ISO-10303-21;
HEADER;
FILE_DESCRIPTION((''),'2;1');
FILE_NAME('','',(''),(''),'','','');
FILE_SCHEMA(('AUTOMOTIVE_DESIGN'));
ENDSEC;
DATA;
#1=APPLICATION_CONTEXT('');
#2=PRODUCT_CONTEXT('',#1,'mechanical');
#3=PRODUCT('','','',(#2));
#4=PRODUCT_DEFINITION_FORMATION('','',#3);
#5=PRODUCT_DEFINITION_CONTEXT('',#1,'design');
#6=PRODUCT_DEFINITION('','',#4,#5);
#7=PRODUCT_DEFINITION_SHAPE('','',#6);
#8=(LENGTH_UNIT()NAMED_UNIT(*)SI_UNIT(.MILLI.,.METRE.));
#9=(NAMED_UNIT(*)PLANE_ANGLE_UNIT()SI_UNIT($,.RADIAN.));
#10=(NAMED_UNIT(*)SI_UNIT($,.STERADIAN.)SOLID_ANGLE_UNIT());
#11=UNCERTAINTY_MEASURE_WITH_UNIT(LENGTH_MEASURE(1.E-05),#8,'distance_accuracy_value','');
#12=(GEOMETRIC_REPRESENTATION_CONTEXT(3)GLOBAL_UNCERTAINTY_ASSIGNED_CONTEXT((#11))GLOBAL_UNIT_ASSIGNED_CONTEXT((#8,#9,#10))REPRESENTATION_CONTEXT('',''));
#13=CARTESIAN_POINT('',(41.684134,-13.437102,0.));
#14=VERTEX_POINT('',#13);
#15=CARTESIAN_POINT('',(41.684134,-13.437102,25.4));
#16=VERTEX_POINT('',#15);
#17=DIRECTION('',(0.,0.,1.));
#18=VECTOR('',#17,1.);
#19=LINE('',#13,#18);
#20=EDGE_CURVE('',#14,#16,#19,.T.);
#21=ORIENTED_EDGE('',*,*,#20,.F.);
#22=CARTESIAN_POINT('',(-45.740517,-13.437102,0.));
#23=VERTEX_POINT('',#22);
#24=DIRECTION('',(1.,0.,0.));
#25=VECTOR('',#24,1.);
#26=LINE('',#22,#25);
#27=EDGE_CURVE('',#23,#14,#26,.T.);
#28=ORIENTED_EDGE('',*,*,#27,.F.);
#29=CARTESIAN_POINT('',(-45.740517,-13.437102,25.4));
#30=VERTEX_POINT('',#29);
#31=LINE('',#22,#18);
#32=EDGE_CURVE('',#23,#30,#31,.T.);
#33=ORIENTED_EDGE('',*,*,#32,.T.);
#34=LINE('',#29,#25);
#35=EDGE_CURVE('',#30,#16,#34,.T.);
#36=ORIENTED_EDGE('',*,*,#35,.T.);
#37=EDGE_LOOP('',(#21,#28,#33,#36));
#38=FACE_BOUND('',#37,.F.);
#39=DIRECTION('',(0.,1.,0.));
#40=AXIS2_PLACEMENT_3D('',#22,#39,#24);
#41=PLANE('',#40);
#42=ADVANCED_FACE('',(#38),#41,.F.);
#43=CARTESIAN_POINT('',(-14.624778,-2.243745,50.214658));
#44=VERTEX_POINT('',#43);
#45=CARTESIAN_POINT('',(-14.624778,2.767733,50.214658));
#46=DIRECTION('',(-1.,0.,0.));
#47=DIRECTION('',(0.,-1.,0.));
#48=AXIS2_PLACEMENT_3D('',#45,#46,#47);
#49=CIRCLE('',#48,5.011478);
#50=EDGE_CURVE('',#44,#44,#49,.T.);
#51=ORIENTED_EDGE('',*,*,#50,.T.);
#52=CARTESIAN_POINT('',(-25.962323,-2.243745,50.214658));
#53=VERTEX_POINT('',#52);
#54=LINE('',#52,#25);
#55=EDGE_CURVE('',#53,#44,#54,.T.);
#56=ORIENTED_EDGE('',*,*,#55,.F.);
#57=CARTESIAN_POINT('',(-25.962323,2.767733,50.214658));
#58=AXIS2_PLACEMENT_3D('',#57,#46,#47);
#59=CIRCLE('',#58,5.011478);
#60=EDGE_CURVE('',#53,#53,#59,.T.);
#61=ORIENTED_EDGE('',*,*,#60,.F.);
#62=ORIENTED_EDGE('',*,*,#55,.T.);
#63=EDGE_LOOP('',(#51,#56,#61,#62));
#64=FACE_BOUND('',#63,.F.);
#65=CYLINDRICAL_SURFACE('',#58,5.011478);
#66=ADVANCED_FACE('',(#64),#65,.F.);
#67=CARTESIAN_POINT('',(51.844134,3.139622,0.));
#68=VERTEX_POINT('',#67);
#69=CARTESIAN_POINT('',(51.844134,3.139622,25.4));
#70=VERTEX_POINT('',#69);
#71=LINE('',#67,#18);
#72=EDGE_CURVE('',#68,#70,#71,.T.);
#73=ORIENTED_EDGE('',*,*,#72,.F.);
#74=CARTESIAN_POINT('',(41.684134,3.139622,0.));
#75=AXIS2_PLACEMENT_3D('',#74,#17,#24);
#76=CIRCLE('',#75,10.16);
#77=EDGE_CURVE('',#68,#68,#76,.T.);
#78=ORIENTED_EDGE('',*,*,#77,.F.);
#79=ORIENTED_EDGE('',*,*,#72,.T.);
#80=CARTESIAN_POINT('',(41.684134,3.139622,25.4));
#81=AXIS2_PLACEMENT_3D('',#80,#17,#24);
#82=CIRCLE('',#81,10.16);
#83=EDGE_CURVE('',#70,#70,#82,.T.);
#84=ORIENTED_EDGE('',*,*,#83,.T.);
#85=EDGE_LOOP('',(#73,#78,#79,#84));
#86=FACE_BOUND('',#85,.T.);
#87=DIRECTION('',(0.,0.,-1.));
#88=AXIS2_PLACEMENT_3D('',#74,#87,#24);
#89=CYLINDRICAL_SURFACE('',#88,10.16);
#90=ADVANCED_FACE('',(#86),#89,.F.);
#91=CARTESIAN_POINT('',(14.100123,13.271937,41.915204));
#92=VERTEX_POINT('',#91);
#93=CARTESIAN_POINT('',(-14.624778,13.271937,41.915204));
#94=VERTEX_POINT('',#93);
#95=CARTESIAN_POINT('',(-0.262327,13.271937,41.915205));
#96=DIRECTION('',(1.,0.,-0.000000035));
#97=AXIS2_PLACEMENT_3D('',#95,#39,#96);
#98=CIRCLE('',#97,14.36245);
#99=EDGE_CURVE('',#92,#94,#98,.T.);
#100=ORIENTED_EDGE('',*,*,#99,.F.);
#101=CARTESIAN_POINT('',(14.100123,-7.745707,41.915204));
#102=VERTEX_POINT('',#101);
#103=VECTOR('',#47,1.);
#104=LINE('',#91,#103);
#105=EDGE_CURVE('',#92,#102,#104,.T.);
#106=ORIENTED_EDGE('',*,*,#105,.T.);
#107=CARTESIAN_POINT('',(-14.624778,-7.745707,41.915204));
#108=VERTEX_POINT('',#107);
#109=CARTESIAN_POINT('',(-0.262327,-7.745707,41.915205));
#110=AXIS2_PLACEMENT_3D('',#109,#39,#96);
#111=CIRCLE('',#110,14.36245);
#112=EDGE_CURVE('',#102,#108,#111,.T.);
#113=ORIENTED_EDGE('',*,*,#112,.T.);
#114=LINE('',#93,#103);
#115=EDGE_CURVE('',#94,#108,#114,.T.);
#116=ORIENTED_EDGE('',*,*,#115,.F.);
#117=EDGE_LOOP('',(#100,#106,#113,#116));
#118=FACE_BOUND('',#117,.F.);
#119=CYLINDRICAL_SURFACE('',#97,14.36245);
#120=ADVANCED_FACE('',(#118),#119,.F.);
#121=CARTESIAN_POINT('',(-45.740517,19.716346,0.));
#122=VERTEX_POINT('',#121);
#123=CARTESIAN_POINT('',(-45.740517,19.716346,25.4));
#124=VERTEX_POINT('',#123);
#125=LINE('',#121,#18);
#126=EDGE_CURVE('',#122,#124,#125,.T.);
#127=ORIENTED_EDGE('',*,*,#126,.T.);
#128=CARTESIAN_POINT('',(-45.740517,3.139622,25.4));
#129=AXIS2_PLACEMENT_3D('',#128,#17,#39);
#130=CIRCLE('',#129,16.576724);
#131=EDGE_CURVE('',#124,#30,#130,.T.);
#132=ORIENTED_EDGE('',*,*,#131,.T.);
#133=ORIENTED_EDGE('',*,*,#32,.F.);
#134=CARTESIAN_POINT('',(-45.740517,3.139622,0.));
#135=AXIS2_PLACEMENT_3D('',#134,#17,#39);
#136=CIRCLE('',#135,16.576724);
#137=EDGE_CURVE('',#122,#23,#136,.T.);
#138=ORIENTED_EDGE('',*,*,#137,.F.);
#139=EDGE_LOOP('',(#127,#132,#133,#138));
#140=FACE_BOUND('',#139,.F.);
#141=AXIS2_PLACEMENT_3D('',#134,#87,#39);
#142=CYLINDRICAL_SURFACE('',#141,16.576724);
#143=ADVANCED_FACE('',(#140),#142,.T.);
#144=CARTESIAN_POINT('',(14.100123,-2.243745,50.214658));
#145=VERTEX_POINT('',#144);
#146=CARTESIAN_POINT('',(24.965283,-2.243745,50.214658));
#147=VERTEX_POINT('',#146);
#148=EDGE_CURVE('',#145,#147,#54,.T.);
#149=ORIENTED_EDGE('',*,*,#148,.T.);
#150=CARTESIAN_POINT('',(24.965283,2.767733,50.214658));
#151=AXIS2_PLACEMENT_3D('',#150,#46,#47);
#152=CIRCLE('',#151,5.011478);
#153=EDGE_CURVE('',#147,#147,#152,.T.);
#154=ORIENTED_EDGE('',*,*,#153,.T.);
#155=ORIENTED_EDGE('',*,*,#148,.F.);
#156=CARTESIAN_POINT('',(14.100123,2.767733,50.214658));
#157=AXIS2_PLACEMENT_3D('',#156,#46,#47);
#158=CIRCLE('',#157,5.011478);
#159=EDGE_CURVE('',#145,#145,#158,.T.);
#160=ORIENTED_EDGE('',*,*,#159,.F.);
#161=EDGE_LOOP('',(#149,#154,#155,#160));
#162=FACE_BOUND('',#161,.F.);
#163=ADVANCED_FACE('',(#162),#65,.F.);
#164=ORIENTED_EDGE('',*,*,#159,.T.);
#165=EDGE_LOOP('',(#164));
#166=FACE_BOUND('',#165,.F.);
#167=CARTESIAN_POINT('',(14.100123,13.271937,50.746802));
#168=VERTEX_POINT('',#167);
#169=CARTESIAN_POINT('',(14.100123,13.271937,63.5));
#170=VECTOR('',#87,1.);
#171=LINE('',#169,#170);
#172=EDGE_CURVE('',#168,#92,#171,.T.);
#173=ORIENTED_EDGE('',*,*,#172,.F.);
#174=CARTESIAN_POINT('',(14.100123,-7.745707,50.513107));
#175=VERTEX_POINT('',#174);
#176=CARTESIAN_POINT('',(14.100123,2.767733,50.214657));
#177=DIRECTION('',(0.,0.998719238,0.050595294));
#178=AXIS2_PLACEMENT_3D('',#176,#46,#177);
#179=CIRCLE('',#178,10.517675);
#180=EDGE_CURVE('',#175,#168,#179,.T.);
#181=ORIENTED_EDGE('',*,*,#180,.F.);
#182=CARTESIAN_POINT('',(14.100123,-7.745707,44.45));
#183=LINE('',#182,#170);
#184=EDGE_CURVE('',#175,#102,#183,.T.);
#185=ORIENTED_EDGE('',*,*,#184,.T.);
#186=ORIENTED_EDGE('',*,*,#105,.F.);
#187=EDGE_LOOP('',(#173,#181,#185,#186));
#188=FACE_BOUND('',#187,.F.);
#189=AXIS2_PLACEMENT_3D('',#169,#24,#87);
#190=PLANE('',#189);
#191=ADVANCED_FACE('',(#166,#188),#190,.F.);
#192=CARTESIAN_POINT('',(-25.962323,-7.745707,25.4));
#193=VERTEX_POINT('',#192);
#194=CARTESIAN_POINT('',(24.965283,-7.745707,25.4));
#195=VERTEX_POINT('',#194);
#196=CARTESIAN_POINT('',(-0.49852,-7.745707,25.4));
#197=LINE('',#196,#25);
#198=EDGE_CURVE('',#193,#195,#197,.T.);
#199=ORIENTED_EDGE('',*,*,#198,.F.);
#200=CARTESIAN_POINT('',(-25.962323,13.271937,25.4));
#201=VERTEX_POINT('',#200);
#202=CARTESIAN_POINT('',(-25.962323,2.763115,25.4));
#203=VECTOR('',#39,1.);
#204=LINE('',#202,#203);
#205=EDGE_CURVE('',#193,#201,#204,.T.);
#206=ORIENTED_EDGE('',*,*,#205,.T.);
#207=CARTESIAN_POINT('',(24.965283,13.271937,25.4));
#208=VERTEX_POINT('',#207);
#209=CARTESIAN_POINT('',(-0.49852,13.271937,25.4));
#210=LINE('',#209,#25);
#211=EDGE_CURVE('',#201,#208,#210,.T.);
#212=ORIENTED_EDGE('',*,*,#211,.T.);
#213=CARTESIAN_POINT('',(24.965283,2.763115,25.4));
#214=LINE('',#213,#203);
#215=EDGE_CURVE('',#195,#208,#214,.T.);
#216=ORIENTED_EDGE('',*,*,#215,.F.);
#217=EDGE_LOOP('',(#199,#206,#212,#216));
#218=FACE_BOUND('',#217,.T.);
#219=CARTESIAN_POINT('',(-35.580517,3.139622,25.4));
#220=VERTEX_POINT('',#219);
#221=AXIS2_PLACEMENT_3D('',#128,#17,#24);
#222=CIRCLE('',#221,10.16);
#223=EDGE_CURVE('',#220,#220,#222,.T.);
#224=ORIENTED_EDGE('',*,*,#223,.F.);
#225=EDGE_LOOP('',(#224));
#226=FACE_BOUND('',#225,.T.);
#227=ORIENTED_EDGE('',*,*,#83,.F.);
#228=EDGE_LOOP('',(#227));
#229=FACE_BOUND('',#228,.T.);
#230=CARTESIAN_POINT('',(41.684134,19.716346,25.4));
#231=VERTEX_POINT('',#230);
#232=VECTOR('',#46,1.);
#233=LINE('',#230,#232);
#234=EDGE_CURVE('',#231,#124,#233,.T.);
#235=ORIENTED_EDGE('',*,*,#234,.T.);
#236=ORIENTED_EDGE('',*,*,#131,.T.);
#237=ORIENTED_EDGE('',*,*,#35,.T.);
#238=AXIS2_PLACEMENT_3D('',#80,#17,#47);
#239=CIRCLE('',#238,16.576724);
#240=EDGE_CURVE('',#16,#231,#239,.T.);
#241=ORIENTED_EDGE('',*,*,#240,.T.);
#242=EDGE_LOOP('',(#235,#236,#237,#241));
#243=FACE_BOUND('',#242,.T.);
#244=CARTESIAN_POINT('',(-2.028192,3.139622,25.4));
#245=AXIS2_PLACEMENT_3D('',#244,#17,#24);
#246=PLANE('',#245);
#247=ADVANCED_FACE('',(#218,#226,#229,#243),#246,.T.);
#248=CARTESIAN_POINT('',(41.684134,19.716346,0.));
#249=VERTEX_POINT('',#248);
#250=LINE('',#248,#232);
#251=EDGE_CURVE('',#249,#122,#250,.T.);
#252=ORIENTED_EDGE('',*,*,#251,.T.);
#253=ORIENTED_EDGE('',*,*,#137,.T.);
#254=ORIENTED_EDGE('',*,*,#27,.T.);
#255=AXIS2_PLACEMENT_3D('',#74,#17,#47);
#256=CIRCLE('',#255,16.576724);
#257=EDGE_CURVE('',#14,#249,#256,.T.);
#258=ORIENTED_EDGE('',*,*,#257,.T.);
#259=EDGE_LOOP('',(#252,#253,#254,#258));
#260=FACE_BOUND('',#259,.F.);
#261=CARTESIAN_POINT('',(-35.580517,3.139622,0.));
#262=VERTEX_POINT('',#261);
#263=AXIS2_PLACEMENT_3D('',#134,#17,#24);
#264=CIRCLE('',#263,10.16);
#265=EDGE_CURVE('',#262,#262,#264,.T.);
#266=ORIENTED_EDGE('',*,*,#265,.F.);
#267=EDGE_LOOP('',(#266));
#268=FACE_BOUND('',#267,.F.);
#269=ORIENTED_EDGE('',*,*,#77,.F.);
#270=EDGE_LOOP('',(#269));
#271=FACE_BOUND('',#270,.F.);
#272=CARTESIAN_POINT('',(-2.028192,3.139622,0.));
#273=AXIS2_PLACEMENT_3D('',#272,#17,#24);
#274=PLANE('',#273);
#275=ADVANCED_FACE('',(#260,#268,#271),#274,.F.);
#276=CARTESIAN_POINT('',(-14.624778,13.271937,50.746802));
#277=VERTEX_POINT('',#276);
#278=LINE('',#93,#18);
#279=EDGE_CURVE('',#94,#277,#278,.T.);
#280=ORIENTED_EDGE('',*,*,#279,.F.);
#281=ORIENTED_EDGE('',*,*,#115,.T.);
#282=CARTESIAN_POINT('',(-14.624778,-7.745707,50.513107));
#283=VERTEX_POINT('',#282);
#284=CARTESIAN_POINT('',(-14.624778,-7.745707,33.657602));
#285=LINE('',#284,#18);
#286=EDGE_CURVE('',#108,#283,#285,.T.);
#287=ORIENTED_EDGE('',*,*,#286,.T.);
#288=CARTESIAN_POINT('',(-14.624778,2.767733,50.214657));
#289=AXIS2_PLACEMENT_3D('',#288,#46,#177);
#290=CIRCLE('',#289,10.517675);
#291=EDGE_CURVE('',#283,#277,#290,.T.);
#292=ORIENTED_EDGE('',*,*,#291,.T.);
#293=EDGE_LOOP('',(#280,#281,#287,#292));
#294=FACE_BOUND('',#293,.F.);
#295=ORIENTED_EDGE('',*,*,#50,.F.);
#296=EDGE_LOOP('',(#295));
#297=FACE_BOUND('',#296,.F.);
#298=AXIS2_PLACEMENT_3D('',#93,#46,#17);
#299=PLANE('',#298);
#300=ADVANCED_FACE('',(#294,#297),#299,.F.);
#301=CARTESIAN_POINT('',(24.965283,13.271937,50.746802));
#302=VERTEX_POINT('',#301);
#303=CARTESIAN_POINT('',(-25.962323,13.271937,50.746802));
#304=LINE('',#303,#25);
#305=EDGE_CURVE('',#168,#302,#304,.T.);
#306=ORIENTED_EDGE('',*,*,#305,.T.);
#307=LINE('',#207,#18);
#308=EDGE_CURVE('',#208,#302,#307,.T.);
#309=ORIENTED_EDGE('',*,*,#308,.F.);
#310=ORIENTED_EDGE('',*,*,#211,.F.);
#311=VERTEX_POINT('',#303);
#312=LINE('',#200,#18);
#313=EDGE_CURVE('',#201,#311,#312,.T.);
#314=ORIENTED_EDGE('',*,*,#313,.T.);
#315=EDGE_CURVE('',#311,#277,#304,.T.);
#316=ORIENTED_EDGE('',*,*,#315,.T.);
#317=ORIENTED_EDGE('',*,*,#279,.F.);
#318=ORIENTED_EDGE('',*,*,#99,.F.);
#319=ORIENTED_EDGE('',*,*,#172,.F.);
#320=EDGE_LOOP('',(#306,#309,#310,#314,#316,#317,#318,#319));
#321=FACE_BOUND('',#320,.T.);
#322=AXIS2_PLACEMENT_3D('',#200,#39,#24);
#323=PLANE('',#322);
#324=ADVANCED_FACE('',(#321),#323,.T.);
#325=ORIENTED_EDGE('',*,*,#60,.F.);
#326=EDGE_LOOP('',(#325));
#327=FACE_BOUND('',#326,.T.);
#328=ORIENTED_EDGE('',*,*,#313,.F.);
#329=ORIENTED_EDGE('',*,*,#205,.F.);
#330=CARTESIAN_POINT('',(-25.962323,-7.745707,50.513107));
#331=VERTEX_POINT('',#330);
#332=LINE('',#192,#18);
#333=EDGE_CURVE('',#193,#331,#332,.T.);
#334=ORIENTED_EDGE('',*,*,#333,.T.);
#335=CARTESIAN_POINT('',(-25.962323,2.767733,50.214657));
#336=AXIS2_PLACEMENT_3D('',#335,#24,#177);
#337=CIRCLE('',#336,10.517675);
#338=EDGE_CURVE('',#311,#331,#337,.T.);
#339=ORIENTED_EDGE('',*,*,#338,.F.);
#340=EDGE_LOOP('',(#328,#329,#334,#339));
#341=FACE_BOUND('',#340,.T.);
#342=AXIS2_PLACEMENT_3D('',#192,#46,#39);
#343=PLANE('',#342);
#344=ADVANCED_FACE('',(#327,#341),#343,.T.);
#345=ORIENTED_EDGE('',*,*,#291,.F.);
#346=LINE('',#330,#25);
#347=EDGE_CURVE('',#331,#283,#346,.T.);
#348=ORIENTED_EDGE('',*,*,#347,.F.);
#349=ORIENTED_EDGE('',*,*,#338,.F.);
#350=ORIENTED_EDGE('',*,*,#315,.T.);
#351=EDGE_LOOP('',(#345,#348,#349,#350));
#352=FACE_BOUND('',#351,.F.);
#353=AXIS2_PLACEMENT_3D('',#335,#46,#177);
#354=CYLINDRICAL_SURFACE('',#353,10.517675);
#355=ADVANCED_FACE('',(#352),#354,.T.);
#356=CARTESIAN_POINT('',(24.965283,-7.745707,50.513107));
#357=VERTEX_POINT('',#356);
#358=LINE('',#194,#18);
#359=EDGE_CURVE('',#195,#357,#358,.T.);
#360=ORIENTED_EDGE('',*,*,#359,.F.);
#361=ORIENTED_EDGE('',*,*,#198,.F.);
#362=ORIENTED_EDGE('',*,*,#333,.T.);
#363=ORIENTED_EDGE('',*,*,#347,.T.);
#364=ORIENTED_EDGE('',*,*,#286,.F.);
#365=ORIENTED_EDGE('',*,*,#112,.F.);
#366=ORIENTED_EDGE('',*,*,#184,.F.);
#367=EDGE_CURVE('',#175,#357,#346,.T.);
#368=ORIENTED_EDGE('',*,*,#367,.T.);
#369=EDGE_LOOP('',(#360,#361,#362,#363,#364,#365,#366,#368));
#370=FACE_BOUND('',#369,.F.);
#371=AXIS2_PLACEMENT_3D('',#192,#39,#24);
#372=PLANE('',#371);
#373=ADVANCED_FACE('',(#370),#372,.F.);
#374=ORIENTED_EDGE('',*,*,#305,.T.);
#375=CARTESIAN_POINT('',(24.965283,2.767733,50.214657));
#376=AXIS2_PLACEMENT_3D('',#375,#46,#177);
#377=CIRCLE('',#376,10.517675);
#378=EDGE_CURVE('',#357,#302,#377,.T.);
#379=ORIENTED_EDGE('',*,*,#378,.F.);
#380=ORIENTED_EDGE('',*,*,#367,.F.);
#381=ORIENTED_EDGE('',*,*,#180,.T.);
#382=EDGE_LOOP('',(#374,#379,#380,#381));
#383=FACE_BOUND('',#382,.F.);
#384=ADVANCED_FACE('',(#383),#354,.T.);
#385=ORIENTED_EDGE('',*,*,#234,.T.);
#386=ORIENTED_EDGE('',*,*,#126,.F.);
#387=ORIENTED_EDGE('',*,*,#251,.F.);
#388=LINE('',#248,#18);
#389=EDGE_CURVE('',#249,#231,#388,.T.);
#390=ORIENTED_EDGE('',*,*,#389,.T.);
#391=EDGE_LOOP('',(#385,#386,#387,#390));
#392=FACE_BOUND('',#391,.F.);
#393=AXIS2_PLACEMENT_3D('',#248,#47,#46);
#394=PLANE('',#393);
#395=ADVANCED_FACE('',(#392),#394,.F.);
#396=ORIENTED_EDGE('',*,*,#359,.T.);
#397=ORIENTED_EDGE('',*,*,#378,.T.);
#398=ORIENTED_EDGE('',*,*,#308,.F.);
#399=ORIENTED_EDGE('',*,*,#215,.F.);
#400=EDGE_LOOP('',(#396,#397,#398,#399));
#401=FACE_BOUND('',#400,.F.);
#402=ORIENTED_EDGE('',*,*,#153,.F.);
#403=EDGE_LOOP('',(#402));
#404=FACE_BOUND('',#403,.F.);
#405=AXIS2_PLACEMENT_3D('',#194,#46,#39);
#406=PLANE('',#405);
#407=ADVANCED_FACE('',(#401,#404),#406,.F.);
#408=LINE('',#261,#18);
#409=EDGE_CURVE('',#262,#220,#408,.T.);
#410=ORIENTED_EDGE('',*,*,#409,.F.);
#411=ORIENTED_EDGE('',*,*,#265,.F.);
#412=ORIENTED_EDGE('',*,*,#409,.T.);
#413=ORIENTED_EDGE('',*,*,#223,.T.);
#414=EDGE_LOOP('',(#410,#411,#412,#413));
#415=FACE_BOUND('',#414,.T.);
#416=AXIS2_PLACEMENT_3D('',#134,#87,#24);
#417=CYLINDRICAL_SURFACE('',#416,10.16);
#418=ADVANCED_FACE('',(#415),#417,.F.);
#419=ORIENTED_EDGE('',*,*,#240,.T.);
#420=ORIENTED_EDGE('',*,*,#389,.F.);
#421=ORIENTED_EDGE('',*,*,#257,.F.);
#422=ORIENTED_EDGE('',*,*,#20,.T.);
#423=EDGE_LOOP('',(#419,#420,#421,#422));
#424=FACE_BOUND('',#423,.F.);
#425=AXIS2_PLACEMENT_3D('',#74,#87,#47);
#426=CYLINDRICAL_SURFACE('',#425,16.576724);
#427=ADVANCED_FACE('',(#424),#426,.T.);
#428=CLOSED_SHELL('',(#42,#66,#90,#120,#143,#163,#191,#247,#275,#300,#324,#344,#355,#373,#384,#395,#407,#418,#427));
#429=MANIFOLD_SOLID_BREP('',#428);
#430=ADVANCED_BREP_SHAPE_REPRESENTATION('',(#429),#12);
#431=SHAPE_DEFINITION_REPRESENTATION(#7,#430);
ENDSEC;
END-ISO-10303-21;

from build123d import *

# Parameters (mm, degrees)
F0_R     = 10.16
F1_DEPTH = 25.4
F2_W     = 50.927606
F2_H     = 21.017644
F3_DEPTH = 38.1
F6_DEPTH = 25.4
F7_DEPTH = 58.42
F8_R     = 5.011478
F9_DEPTH = 61.468


with BuildPart() as f1:
    # F0 (on Top) → F1 (new body)
    with BuildSketch(Plane.XY):
        with BuildLine():
            Line((41.684134, 19.716346), (-45.740517, 19.716346))
            ThreePointArc((-45.740517, 19.716346), (-62.317241, 3.139622), (-45.740517, -13.437102))
            Line((-45.740517, -13.437102), (41.684134, -13.437102))
            ThreePointArc((41.684134, -13.437102), (58.260858, 3.139622), (41.684134, 19.716346))
        make_face()
        with Locations((-45.740517, 3.139622)):
            Circle(F0_R, mode=Mode.SUBTRACT)
        with Locations((41.684134, 3.139622)):
            Circle(F0_R, mode=Mode.SUBTRACT)
    extrude(amount=F1_DEPTH)

    # F2 (on face) → F3 (join)
    with BuildSketch(Plane.XY.offset(25.4)):
        with Locations((-0.49852, 2.763115)):
            Rectangle(F2_W, F2_H)
    extrude(amount=F3_DEPTH)

    # F5 (on face) → F6 (cut)
    with BuildSketch(Plane(origin=(0, 13.271937, 0), x_dir=(-1, 0, 0), z_dir=(0, 1, 0))):
        with BuildLine():
            Line((14.624778, 63.5), (-14.100123, 63.5))
            Line((-14.100123, 63.5), (-14.100123, 41.915204))
            ThreePointArc((-14.100123, 41.915204), (0.262327, 27.552754), (14.624778, 41.915204))
            Line((14.624778, 41.915204), (14.624778, 63.5))
        make_face()
    extrude(amount=-F6_DEPTH, mode=Mode.SUBTRACT)

    # F4 (on face) → F7 (cut)
    with BuildSketch(Plane(origin=(-25.962323, 0, 0), x_dir=(0, -1, 0), z_dir=(-1, 0, 0))):
        with BuildLine():
            ThreePointArc((-13.271937, 50.746802), (-2.650794, 60.731682), (7.745707, 50.513107))
            Line((7.745707, 50.513107), (7.745707, 63.5))
            Line((7.745707, 63.5), (-13.271937, 63.5))
            Line((-13.271937, 63.5), (-13.271937, 50.746802))
        make_face()
    extrude(amount=-F7_DEPTH, mode=Mode.SUBTRACT)

    # F8 (on face) → F9 (cut)
    with BuildSketch(Plane(origin=(-25.962323, 0, 0), x_dir=(0, -1, 0), z_dir=(-1, 0, 0))):
        with Locations((-2.767733, 50.214658)):
            Circle(F8_R)
    extrude(amount=-F9_DEPTH, mode=Mode.SUBTRACT)


solid = f1.part
